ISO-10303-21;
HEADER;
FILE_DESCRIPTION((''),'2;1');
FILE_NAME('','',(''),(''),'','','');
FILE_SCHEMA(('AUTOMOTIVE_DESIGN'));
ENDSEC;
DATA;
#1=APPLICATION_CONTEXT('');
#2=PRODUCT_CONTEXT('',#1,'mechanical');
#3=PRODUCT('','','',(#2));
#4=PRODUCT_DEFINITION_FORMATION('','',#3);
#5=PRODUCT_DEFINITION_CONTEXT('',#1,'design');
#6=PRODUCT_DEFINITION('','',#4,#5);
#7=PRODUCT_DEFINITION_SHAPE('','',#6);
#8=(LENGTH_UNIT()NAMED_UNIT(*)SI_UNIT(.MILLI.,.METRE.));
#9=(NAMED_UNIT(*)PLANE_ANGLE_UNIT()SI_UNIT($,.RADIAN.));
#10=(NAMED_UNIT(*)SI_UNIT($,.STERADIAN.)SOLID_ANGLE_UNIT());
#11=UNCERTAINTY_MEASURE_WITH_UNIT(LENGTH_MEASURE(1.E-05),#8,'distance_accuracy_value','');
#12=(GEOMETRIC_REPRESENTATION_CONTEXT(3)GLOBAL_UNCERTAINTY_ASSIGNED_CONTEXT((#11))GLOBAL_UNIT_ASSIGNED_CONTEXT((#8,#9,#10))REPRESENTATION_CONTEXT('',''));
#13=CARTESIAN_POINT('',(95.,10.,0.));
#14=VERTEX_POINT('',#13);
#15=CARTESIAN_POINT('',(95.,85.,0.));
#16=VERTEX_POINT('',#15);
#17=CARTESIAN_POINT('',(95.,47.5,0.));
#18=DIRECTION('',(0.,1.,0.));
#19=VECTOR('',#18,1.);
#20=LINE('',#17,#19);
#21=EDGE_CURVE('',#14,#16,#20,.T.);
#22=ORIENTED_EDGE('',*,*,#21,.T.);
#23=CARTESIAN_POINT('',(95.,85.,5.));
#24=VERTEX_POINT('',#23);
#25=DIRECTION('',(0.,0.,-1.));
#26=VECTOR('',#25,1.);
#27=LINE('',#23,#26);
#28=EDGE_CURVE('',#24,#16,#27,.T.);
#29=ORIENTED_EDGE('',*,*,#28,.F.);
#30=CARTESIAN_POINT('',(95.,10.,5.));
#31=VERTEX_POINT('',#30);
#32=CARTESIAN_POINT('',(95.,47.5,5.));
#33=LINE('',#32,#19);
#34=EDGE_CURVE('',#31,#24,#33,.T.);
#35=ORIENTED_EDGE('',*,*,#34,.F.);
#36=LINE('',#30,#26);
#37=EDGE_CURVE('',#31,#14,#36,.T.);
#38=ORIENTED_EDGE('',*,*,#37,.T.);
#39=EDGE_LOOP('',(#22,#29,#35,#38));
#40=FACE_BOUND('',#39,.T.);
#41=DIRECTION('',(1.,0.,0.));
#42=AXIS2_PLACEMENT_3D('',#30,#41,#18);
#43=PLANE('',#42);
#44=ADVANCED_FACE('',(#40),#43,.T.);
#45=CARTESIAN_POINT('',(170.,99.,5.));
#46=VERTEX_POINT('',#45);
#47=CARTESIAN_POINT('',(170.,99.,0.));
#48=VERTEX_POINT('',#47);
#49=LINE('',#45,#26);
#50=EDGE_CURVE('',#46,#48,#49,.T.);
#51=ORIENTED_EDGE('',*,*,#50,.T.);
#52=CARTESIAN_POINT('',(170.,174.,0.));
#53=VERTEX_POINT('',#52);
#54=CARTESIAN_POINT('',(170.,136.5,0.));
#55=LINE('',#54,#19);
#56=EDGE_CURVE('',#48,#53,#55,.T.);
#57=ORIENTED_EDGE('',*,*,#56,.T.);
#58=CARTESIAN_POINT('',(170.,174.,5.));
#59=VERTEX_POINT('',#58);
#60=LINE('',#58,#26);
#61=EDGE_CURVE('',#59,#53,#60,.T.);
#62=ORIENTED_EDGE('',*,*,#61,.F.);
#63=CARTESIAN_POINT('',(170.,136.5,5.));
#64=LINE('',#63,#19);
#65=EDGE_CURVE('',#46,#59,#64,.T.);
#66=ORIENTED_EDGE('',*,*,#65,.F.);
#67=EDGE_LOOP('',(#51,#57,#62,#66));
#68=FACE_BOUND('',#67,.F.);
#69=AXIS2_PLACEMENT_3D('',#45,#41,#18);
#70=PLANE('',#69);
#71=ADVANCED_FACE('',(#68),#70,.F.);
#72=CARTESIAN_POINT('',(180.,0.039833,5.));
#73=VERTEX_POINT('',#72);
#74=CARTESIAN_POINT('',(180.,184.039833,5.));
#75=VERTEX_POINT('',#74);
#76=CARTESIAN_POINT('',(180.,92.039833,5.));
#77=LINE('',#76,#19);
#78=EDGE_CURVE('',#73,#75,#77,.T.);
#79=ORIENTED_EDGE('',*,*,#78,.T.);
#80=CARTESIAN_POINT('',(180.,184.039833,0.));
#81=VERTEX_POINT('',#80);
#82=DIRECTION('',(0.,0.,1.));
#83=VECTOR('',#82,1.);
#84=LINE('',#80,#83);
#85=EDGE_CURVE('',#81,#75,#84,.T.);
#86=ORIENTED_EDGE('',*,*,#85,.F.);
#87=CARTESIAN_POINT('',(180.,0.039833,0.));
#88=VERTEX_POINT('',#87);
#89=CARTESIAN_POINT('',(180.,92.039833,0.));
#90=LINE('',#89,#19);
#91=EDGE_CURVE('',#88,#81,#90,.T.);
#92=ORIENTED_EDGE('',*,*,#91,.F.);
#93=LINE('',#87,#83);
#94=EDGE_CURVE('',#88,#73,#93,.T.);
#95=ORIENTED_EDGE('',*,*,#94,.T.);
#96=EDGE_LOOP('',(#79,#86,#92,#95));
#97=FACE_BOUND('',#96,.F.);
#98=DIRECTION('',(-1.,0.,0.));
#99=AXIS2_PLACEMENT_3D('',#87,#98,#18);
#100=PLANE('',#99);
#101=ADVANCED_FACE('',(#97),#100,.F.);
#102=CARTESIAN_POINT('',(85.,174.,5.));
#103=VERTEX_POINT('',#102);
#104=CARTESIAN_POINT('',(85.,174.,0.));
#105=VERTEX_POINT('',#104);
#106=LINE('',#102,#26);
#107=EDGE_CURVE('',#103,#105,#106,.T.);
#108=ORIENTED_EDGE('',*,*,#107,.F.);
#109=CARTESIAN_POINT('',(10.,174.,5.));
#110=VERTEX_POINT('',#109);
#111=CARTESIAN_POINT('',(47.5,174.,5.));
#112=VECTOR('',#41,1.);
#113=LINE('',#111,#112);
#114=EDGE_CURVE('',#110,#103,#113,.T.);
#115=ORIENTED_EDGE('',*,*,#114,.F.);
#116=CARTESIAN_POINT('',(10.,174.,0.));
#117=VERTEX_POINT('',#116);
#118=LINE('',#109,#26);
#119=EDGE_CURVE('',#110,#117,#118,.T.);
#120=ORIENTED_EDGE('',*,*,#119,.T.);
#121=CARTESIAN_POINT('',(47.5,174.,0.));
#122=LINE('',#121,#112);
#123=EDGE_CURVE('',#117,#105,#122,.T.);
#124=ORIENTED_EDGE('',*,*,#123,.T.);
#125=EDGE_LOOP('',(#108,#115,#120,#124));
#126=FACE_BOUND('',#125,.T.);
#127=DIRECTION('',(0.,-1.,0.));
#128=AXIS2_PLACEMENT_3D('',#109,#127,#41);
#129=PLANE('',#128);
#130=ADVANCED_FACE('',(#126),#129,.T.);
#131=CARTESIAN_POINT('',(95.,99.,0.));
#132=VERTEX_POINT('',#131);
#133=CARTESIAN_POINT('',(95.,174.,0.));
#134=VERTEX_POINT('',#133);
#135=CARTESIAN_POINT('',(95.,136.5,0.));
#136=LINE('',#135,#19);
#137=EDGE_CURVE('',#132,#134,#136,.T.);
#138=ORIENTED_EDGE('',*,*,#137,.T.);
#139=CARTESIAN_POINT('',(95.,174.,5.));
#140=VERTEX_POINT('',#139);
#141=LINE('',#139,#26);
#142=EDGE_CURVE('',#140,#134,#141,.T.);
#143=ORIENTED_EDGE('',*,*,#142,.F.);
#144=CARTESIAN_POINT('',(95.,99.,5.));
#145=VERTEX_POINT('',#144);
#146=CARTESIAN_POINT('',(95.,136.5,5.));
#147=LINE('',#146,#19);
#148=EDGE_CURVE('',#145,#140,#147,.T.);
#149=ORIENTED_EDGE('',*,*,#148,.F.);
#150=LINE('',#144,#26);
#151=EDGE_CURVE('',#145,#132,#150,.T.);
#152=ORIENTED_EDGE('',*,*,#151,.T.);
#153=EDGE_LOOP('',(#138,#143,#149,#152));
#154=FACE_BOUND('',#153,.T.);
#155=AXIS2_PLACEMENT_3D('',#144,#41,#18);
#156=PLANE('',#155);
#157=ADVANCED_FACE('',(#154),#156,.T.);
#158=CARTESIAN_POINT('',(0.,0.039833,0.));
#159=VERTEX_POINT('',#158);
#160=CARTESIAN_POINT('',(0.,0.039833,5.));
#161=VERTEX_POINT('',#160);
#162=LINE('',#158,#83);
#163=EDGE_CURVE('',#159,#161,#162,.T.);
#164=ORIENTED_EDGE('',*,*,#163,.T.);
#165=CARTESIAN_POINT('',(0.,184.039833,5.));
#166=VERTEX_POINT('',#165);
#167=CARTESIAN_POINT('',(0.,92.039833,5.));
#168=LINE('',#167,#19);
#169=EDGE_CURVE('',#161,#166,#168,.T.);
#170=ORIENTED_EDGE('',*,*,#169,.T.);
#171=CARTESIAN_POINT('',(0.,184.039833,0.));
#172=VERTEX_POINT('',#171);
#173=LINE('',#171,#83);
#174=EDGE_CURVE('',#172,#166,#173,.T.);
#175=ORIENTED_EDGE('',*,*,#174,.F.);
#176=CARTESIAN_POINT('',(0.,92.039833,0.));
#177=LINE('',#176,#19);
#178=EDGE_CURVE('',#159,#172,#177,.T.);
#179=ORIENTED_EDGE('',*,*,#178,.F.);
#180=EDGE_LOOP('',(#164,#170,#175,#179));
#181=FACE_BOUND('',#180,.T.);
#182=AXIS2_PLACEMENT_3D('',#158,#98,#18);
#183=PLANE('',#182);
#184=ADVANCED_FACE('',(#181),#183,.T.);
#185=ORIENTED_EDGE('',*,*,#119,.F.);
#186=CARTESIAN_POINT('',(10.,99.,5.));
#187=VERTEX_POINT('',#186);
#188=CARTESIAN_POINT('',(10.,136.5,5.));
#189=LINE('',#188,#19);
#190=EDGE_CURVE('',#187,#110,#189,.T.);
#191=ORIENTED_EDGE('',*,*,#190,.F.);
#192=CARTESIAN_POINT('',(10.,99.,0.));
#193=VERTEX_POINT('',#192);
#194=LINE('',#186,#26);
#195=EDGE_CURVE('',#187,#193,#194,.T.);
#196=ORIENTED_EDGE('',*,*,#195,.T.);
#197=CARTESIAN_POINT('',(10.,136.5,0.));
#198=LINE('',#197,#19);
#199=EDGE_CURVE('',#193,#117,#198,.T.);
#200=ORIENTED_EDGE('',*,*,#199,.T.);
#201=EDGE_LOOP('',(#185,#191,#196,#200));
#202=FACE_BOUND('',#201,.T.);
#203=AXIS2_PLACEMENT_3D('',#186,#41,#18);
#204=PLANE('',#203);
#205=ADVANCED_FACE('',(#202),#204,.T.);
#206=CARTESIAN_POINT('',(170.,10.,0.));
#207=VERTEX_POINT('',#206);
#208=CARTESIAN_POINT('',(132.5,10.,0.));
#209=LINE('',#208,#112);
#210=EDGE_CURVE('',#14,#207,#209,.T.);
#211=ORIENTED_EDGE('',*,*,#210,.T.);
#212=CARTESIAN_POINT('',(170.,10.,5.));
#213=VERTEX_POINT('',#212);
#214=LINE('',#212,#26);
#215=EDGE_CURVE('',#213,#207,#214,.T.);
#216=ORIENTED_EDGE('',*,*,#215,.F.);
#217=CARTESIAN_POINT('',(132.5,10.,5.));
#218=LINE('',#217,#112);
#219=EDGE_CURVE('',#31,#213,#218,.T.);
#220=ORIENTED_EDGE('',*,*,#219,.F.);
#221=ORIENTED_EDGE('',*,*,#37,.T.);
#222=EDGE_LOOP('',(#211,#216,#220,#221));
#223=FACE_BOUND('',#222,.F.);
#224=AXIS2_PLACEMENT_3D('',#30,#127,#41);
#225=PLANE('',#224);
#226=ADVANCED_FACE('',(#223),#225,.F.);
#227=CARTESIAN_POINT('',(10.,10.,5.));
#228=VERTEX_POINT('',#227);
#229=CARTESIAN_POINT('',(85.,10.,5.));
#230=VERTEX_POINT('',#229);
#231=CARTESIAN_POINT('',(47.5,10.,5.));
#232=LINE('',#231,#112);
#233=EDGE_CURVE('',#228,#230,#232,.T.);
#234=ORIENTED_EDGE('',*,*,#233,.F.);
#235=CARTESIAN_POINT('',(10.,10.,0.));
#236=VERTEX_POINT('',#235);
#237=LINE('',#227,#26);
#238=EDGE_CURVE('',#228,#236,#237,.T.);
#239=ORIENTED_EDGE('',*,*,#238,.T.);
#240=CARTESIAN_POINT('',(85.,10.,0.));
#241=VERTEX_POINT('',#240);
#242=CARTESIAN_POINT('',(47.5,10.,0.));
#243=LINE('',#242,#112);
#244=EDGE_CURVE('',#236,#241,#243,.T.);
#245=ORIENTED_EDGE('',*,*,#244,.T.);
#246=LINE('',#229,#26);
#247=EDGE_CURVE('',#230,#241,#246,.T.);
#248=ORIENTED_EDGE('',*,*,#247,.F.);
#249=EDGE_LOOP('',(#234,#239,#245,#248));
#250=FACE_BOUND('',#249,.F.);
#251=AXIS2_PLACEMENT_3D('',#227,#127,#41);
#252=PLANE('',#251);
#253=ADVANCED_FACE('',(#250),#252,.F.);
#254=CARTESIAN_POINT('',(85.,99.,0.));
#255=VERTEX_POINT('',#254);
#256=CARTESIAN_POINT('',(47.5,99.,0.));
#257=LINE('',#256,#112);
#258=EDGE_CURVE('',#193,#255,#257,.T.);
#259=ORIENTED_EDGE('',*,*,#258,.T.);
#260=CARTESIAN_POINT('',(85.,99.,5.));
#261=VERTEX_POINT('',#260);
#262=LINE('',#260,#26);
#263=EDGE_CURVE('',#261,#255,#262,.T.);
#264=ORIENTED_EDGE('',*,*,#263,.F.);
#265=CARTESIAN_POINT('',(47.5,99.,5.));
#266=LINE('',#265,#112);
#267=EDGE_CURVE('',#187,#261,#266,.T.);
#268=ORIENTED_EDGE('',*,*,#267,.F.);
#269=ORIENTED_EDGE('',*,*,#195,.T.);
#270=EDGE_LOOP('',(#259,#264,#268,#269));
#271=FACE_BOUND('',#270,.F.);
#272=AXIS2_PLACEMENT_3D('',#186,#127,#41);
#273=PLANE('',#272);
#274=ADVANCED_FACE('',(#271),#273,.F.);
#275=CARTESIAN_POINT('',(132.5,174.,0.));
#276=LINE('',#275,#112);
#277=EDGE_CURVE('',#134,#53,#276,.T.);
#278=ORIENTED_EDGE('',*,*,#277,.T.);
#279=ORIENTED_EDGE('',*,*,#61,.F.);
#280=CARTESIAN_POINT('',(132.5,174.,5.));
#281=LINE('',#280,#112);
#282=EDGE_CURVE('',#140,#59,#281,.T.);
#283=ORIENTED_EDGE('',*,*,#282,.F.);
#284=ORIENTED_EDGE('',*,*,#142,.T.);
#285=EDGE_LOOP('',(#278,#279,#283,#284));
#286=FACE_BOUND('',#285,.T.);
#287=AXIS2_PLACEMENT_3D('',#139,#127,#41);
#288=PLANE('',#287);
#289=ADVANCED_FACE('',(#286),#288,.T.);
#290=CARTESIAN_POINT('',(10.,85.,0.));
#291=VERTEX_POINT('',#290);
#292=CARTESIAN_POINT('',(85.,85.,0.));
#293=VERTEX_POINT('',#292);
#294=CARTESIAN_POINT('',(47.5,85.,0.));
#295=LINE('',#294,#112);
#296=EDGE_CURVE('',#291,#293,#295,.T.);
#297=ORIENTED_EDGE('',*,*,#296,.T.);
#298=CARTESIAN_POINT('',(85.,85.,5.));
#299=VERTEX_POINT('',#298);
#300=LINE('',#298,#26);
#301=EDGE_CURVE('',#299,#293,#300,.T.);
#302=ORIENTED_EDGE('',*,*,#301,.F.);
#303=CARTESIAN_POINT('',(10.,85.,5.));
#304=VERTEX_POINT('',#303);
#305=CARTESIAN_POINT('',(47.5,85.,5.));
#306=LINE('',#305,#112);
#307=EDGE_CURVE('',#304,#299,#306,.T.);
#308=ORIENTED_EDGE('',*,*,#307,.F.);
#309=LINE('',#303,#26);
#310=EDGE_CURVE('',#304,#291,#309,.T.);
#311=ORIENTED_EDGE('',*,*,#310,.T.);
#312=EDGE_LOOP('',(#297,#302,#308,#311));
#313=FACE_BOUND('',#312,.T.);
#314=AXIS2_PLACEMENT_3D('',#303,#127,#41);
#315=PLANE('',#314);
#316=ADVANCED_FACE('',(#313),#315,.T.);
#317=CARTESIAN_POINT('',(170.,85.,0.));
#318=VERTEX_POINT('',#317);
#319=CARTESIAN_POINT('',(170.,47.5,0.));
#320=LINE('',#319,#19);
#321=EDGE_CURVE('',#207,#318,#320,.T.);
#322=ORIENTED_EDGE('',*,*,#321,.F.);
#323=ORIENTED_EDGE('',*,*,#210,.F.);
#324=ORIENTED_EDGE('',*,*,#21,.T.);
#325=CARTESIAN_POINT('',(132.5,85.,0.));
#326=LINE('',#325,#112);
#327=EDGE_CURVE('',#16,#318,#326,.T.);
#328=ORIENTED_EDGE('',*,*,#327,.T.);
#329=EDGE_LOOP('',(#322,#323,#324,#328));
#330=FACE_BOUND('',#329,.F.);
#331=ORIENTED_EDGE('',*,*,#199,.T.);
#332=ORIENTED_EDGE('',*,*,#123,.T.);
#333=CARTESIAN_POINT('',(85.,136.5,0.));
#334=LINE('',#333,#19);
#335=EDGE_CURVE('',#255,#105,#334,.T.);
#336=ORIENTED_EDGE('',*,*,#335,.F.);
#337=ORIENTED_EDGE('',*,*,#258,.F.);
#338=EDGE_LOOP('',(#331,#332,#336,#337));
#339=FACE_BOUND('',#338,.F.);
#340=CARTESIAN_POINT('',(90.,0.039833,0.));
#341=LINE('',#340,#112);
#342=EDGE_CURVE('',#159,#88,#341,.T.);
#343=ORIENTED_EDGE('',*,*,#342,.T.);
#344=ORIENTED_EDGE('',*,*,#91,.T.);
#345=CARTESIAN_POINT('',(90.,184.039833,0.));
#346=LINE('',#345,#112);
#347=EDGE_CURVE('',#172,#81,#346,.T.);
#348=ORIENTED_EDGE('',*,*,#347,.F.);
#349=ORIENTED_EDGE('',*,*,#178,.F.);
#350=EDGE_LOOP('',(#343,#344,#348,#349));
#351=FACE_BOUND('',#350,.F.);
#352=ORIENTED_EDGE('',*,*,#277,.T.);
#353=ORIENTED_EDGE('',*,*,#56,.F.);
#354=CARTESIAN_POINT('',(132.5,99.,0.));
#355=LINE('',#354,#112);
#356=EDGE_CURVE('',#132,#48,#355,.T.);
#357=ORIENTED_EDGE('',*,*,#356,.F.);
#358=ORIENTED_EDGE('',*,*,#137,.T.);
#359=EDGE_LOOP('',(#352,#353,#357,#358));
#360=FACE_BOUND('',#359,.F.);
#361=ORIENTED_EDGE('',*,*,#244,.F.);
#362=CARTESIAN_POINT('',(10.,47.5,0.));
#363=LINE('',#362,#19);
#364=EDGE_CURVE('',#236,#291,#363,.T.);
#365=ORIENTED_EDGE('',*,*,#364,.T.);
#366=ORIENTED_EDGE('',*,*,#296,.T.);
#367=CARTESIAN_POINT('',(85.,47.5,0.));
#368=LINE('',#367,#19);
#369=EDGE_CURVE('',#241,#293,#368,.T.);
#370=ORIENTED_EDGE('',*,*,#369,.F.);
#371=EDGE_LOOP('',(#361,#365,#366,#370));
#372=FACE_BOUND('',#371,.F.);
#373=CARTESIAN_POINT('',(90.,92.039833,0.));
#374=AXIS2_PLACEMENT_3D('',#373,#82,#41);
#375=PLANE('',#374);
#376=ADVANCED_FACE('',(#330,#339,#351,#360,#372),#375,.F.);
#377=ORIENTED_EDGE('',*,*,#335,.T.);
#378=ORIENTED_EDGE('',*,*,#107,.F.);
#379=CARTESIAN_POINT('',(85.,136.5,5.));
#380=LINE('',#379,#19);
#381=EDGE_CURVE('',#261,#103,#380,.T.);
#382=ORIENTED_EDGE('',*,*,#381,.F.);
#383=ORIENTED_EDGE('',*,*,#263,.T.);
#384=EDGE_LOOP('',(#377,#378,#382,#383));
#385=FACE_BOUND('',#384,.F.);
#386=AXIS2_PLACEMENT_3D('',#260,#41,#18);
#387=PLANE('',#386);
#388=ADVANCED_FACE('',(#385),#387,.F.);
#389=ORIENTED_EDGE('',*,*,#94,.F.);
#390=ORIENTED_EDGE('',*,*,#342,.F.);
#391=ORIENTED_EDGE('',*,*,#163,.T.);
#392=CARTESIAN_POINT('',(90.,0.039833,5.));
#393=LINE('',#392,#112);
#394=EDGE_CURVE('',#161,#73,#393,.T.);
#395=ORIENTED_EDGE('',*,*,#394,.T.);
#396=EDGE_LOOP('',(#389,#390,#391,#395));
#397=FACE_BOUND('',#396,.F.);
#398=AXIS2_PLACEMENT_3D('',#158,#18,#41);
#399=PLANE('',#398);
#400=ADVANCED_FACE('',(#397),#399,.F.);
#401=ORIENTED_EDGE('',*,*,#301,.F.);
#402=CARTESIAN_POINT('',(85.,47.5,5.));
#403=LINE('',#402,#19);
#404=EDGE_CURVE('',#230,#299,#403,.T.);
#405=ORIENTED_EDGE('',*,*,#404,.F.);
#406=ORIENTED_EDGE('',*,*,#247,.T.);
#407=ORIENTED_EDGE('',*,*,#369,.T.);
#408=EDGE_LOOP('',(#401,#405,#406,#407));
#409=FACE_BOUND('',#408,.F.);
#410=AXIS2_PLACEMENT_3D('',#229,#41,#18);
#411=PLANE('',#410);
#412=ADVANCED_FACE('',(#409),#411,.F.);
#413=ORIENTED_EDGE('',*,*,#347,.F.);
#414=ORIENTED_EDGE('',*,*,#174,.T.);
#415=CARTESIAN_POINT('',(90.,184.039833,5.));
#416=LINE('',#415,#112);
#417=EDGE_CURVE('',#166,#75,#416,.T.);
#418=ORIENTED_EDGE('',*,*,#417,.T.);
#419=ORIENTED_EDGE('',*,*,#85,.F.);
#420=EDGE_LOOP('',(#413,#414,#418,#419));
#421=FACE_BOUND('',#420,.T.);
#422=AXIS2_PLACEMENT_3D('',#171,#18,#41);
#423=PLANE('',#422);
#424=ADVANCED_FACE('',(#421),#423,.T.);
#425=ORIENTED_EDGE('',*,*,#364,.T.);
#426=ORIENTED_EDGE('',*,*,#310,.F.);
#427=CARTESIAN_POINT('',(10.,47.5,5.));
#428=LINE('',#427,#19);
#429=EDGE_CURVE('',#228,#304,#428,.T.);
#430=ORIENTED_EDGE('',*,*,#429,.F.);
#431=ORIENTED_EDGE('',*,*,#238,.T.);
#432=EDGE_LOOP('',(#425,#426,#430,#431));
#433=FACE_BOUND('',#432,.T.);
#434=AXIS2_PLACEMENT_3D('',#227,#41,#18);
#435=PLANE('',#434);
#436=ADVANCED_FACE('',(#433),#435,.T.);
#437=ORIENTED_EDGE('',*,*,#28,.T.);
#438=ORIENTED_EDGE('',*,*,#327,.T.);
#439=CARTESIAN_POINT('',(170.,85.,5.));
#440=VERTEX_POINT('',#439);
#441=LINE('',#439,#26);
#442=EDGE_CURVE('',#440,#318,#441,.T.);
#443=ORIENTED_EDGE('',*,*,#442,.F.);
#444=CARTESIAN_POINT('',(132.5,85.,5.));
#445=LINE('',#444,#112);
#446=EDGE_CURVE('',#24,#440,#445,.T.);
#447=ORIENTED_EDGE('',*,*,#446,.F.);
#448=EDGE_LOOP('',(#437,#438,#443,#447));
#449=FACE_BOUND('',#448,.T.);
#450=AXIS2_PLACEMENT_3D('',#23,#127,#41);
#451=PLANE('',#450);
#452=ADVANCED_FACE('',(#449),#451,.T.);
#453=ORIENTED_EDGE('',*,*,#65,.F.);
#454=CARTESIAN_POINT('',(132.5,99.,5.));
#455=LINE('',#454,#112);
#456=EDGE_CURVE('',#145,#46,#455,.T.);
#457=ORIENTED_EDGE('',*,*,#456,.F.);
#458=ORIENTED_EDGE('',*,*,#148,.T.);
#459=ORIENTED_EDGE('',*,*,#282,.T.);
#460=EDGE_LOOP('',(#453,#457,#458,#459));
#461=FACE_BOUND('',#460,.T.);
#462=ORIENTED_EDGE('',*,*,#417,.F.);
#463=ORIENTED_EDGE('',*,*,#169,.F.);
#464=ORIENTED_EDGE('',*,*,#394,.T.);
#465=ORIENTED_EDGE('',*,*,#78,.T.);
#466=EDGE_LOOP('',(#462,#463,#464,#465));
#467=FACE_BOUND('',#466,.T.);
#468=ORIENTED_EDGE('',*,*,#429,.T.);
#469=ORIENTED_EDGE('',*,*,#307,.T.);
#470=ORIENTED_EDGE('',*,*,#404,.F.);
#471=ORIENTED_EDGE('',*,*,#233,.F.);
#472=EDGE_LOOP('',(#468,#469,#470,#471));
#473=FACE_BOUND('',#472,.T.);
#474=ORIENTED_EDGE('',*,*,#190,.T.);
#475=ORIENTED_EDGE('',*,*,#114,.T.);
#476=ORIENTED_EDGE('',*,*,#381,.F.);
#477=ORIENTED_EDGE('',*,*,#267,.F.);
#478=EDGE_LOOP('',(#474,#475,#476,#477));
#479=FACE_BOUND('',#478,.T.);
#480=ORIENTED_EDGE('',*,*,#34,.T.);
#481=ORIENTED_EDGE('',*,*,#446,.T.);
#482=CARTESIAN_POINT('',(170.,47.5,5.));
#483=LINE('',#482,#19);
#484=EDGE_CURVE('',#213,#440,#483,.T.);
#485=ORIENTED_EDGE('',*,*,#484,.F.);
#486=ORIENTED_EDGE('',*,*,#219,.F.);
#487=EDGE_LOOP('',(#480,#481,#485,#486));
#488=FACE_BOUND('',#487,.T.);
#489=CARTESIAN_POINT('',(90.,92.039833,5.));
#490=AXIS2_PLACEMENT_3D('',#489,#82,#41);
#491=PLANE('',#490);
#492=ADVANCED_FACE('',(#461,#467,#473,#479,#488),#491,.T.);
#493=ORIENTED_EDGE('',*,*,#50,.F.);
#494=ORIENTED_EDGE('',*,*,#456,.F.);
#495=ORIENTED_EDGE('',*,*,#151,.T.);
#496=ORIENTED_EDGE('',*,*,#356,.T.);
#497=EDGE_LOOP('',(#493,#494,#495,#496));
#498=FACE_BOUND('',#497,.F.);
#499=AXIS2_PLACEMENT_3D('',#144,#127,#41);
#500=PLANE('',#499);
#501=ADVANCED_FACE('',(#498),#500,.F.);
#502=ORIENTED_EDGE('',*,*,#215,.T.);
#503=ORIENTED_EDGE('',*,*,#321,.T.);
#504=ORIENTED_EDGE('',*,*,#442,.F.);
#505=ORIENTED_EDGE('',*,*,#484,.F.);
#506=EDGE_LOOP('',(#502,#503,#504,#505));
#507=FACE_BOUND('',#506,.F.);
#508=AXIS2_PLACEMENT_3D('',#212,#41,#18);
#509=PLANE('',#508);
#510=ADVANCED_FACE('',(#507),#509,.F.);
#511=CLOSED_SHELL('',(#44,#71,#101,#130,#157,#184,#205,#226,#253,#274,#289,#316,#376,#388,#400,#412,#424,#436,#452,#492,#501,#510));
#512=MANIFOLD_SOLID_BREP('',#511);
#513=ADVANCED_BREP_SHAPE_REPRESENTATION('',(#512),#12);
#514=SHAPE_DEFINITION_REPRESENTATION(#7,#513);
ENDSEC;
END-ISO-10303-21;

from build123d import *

# Parameters (mm, degrees)
SKETCH_W                     = 180
SKETCH_H                     = 184
PAD_DEPTH                    = 5
SKETCH001_W                  = 75
SKETCH001_H                  = 75
POCKET_DEPTH                 = 5
SKETCH001_LINEARPATTERN_2_W  = 75
SKETCH001_LINEARPATTERN_2_H  = 75
POCKET_LINEARPATTERN_2_DEPTH = 5
LINEARPATTERN001_COUNT       = 2
LINEARPATTERN001_PITCH       = 89


with BuildPart() as part:
    # Sketch → Pad (new body)
    with BuildSketch(Plane.XY):
        with Locations((90, 92.039833)):
            Rectangle(SKETCH_W, SKETCH_H)
    extrude(amount=PAD_DEPTH)

    # Sketch001 (on Face6 of Pad) → Pocket (cut)
    with BuildSketch(Plane.XY.offset(5)):
        with Locations((47.5, 136.5)):
            Rectangle(SKETCH001_W, SKETCH001_H)
    pocket = extrude(amount=-POCKET_DEPTH, mode=Mode.SUBTRACT)

    # Sketch001 LinearPattern 2 → Pocket LinearPattern 2 (cut)
    with BuildSketch(Plane(origin=(85, 0, 5), x_dir=(1, 0, 0), z_dir=(0, 0, 1))):
        with Locations((47.5, 136.5)):
            Rectangle(SKETCH001_LINEARPATTERN_2_W, SKETCH001_LINEARPATTERN_2_H)
    pocket_linearpattern_2 = extrude(amount=-POCKET_LINEARPATTERN_2_DEPTH, mode=Mode.SUBTRACT)

    # LinearPattern001: Pocket, Pocket LinearPattern 2 ×2
    with Locations(*[(0, -i * LINEARPATTERN001_PITCH, 0) for i in range(1, LINEARPATTERN001_COUNT)]):
        add(pocket, mode=Mode.SUBTRACT)
        add(pocket_linearpattern_2, mode=Mode.SUBTRACT)


solid = part.part
